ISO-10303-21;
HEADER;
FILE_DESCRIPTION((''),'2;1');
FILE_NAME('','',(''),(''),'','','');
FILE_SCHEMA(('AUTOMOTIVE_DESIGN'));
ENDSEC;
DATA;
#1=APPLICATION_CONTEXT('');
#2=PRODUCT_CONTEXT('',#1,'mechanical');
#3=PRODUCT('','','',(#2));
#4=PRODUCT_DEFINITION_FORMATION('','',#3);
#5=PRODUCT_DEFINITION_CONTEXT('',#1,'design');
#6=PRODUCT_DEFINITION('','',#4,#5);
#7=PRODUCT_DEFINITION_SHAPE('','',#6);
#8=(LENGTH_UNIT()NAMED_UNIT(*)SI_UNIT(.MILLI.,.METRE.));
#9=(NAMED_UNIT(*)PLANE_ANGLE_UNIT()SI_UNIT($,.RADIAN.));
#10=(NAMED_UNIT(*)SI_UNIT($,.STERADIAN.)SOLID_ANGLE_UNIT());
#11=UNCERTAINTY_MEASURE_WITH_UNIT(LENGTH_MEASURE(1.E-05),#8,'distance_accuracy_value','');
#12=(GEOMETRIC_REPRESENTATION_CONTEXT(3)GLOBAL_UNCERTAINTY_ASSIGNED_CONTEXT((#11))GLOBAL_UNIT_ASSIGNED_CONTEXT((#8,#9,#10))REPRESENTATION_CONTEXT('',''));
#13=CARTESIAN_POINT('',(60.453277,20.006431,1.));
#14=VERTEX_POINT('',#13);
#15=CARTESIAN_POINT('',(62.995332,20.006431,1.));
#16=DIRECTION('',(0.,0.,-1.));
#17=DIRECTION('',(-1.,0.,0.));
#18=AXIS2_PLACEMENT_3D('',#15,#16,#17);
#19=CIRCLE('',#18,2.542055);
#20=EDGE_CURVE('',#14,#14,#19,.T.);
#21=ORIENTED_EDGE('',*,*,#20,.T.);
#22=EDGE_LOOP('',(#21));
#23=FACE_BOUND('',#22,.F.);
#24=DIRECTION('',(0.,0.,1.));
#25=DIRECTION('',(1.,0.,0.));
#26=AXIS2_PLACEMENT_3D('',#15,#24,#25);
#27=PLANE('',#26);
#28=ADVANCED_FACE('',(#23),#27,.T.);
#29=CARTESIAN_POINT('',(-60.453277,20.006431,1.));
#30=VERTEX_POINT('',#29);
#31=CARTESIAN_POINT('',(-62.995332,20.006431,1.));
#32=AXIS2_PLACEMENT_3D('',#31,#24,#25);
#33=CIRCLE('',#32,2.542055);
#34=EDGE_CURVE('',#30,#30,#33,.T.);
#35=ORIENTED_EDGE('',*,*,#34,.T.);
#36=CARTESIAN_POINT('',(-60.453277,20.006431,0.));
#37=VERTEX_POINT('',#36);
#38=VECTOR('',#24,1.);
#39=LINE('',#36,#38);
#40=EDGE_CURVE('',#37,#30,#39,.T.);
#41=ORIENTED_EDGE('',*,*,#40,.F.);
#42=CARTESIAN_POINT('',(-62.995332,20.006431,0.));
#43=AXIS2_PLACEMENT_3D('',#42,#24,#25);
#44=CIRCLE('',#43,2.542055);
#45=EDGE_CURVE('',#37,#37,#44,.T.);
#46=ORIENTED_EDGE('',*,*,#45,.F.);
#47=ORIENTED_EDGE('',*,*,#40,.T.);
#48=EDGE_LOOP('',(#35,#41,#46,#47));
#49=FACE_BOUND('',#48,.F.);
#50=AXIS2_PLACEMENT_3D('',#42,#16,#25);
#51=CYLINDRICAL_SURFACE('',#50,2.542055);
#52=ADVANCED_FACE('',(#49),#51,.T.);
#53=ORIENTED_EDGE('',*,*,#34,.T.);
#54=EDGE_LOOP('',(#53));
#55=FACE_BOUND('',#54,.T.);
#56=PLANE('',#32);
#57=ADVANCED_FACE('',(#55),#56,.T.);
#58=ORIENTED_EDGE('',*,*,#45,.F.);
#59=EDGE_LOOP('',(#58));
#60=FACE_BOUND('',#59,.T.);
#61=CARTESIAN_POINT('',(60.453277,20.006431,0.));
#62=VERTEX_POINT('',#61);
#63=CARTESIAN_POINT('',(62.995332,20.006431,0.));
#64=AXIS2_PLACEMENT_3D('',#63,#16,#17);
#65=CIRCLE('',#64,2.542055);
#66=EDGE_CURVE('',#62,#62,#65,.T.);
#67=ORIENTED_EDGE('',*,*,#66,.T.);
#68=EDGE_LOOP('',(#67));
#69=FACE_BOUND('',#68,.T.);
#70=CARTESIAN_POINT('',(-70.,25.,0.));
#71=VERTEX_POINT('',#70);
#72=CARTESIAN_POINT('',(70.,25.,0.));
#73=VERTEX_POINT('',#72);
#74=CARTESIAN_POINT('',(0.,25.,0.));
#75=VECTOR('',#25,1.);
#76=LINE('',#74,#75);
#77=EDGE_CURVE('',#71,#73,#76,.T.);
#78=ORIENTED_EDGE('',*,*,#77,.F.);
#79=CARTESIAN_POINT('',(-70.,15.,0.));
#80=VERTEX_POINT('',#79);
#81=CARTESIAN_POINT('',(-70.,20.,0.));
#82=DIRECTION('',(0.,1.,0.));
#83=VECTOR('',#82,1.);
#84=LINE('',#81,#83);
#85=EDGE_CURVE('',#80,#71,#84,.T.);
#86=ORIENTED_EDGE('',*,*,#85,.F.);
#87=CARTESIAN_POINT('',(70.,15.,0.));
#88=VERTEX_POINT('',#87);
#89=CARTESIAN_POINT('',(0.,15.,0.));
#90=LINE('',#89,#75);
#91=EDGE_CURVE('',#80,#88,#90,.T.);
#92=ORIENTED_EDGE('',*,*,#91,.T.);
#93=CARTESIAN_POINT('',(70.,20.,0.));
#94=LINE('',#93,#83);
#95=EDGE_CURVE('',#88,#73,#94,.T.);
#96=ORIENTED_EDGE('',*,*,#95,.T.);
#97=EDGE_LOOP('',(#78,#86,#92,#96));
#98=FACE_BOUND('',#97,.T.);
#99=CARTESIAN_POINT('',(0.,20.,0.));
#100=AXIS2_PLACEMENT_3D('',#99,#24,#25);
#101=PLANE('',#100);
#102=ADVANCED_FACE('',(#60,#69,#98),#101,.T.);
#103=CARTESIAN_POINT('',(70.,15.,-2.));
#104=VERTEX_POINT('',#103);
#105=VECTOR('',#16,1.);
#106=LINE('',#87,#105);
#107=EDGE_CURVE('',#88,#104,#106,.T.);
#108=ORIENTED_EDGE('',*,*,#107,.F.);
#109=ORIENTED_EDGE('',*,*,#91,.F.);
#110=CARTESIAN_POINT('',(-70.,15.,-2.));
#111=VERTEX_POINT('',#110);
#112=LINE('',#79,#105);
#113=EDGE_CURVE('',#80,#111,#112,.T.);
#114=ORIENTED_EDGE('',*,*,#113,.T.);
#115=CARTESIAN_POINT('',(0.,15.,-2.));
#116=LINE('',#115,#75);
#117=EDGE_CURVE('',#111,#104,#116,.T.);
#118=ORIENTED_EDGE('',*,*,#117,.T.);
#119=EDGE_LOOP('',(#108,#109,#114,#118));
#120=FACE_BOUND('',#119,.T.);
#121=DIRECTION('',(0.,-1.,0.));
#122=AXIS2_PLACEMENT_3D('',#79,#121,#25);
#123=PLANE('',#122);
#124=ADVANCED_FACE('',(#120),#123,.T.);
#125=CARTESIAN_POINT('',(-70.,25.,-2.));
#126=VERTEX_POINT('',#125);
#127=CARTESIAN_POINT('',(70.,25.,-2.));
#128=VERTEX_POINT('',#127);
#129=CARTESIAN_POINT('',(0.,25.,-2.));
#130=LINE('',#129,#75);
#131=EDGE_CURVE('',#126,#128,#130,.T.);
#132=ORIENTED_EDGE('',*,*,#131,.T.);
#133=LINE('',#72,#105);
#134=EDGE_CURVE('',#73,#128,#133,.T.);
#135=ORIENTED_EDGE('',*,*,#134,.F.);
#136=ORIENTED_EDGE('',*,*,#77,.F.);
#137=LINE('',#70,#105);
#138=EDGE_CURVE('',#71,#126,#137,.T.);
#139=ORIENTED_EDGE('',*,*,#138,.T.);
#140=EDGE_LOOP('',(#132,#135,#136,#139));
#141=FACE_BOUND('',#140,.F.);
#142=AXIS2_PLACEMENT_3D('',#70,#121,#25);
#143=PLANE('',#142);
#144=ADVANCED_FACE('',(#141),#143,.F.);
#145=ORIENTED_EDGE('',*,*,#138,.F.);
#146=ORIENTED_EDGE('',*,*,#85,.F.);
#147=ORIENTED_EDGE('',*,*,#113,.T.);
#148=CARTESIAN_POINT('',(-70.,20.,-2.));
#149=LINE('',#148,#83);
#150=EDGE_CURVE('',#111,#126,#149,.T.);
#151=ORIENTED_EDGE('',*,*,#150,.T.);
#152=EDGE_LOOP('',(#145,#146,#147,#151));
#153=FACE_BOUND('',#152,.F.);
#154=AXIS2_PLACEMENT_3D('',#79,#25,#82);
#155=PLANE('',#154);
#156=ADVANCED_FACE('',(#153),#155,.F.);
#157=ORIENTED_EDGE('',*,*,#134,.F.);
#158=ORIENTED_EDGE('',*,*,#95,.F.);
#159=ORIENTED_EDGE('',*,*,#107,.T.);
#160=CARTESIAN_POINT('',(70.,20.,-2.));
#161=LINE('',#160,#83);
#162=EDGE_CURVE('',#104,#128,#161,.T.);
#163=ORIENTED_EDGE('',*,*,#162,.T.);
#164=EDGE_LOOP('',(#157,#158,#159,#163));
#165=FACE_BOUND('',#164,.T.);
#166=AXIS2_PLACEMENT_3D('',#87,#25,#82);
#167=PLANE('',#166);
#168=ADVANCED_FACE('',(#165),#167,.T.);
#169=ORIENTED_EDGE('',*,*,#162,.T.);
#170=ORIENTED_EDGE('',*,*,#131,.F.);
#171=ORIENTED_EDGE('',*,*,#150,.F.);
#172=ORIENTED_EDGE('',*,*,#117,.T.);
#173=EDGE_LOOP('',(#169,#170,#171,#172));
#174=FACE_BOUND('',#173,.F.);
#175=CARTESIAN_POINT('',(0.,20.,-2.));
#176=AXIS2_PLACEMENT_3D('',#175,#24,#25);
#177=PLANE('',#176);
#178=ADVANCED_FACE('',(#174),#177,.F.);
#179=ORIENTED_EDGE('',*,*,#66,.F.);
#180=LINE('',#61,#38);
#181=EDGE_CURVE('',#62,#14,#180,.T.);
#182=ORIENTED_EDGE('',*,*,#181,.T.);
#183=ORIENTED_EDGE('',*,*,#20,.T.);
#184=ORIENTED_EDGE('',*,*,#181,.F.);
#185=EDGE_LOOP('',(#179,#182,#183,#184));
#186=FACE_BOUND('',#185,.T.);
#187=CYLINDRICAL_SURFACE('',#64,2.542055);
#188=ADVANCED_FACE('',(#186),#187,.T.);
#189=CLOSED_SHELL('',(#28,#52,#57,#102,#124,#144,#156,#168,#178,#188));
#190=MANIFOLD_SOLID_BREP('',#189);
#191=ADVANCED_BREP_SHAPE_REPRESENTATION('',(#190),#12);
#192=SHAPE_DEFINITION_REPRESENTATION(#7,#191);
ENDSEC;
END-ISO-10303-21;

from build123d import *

# Parameters (mm, degrees)
SKETCH018_W  = 140
SKETCH018_H  = 10
PAD013_DEPTH = 2
SKETCH026_R  = 2.542055
PAD018_DEPTH = 1


with BuildPart() as part:
    # Sketch018 → Pad013 (new body)
    with BuildSketch(Plane.XY):
        with Locations((0, 20)):
            Rectangle(SKETCH018_W, SKETCH018_H)
    extrude(amount=-PAD013_DEPTH)

    # Sketch026 (on Face5 of Pad013) → Pad018 (join)
    with BuildSketch(Plane.XY):
        with Locations((-62.995332, 20.006431)):
            Circle(SKETCH026_R)
    pad018 = extrude(amount=PAD018_DEPTH)

    # Mirrored003: Pad018 across Sketch026 V_Axis
    add(pad018.mirror(Plane(origin=(0, 0, 0), x_dir=(0, 0, 1), z_dir=(1, 0, 0))))


solid = part.part
